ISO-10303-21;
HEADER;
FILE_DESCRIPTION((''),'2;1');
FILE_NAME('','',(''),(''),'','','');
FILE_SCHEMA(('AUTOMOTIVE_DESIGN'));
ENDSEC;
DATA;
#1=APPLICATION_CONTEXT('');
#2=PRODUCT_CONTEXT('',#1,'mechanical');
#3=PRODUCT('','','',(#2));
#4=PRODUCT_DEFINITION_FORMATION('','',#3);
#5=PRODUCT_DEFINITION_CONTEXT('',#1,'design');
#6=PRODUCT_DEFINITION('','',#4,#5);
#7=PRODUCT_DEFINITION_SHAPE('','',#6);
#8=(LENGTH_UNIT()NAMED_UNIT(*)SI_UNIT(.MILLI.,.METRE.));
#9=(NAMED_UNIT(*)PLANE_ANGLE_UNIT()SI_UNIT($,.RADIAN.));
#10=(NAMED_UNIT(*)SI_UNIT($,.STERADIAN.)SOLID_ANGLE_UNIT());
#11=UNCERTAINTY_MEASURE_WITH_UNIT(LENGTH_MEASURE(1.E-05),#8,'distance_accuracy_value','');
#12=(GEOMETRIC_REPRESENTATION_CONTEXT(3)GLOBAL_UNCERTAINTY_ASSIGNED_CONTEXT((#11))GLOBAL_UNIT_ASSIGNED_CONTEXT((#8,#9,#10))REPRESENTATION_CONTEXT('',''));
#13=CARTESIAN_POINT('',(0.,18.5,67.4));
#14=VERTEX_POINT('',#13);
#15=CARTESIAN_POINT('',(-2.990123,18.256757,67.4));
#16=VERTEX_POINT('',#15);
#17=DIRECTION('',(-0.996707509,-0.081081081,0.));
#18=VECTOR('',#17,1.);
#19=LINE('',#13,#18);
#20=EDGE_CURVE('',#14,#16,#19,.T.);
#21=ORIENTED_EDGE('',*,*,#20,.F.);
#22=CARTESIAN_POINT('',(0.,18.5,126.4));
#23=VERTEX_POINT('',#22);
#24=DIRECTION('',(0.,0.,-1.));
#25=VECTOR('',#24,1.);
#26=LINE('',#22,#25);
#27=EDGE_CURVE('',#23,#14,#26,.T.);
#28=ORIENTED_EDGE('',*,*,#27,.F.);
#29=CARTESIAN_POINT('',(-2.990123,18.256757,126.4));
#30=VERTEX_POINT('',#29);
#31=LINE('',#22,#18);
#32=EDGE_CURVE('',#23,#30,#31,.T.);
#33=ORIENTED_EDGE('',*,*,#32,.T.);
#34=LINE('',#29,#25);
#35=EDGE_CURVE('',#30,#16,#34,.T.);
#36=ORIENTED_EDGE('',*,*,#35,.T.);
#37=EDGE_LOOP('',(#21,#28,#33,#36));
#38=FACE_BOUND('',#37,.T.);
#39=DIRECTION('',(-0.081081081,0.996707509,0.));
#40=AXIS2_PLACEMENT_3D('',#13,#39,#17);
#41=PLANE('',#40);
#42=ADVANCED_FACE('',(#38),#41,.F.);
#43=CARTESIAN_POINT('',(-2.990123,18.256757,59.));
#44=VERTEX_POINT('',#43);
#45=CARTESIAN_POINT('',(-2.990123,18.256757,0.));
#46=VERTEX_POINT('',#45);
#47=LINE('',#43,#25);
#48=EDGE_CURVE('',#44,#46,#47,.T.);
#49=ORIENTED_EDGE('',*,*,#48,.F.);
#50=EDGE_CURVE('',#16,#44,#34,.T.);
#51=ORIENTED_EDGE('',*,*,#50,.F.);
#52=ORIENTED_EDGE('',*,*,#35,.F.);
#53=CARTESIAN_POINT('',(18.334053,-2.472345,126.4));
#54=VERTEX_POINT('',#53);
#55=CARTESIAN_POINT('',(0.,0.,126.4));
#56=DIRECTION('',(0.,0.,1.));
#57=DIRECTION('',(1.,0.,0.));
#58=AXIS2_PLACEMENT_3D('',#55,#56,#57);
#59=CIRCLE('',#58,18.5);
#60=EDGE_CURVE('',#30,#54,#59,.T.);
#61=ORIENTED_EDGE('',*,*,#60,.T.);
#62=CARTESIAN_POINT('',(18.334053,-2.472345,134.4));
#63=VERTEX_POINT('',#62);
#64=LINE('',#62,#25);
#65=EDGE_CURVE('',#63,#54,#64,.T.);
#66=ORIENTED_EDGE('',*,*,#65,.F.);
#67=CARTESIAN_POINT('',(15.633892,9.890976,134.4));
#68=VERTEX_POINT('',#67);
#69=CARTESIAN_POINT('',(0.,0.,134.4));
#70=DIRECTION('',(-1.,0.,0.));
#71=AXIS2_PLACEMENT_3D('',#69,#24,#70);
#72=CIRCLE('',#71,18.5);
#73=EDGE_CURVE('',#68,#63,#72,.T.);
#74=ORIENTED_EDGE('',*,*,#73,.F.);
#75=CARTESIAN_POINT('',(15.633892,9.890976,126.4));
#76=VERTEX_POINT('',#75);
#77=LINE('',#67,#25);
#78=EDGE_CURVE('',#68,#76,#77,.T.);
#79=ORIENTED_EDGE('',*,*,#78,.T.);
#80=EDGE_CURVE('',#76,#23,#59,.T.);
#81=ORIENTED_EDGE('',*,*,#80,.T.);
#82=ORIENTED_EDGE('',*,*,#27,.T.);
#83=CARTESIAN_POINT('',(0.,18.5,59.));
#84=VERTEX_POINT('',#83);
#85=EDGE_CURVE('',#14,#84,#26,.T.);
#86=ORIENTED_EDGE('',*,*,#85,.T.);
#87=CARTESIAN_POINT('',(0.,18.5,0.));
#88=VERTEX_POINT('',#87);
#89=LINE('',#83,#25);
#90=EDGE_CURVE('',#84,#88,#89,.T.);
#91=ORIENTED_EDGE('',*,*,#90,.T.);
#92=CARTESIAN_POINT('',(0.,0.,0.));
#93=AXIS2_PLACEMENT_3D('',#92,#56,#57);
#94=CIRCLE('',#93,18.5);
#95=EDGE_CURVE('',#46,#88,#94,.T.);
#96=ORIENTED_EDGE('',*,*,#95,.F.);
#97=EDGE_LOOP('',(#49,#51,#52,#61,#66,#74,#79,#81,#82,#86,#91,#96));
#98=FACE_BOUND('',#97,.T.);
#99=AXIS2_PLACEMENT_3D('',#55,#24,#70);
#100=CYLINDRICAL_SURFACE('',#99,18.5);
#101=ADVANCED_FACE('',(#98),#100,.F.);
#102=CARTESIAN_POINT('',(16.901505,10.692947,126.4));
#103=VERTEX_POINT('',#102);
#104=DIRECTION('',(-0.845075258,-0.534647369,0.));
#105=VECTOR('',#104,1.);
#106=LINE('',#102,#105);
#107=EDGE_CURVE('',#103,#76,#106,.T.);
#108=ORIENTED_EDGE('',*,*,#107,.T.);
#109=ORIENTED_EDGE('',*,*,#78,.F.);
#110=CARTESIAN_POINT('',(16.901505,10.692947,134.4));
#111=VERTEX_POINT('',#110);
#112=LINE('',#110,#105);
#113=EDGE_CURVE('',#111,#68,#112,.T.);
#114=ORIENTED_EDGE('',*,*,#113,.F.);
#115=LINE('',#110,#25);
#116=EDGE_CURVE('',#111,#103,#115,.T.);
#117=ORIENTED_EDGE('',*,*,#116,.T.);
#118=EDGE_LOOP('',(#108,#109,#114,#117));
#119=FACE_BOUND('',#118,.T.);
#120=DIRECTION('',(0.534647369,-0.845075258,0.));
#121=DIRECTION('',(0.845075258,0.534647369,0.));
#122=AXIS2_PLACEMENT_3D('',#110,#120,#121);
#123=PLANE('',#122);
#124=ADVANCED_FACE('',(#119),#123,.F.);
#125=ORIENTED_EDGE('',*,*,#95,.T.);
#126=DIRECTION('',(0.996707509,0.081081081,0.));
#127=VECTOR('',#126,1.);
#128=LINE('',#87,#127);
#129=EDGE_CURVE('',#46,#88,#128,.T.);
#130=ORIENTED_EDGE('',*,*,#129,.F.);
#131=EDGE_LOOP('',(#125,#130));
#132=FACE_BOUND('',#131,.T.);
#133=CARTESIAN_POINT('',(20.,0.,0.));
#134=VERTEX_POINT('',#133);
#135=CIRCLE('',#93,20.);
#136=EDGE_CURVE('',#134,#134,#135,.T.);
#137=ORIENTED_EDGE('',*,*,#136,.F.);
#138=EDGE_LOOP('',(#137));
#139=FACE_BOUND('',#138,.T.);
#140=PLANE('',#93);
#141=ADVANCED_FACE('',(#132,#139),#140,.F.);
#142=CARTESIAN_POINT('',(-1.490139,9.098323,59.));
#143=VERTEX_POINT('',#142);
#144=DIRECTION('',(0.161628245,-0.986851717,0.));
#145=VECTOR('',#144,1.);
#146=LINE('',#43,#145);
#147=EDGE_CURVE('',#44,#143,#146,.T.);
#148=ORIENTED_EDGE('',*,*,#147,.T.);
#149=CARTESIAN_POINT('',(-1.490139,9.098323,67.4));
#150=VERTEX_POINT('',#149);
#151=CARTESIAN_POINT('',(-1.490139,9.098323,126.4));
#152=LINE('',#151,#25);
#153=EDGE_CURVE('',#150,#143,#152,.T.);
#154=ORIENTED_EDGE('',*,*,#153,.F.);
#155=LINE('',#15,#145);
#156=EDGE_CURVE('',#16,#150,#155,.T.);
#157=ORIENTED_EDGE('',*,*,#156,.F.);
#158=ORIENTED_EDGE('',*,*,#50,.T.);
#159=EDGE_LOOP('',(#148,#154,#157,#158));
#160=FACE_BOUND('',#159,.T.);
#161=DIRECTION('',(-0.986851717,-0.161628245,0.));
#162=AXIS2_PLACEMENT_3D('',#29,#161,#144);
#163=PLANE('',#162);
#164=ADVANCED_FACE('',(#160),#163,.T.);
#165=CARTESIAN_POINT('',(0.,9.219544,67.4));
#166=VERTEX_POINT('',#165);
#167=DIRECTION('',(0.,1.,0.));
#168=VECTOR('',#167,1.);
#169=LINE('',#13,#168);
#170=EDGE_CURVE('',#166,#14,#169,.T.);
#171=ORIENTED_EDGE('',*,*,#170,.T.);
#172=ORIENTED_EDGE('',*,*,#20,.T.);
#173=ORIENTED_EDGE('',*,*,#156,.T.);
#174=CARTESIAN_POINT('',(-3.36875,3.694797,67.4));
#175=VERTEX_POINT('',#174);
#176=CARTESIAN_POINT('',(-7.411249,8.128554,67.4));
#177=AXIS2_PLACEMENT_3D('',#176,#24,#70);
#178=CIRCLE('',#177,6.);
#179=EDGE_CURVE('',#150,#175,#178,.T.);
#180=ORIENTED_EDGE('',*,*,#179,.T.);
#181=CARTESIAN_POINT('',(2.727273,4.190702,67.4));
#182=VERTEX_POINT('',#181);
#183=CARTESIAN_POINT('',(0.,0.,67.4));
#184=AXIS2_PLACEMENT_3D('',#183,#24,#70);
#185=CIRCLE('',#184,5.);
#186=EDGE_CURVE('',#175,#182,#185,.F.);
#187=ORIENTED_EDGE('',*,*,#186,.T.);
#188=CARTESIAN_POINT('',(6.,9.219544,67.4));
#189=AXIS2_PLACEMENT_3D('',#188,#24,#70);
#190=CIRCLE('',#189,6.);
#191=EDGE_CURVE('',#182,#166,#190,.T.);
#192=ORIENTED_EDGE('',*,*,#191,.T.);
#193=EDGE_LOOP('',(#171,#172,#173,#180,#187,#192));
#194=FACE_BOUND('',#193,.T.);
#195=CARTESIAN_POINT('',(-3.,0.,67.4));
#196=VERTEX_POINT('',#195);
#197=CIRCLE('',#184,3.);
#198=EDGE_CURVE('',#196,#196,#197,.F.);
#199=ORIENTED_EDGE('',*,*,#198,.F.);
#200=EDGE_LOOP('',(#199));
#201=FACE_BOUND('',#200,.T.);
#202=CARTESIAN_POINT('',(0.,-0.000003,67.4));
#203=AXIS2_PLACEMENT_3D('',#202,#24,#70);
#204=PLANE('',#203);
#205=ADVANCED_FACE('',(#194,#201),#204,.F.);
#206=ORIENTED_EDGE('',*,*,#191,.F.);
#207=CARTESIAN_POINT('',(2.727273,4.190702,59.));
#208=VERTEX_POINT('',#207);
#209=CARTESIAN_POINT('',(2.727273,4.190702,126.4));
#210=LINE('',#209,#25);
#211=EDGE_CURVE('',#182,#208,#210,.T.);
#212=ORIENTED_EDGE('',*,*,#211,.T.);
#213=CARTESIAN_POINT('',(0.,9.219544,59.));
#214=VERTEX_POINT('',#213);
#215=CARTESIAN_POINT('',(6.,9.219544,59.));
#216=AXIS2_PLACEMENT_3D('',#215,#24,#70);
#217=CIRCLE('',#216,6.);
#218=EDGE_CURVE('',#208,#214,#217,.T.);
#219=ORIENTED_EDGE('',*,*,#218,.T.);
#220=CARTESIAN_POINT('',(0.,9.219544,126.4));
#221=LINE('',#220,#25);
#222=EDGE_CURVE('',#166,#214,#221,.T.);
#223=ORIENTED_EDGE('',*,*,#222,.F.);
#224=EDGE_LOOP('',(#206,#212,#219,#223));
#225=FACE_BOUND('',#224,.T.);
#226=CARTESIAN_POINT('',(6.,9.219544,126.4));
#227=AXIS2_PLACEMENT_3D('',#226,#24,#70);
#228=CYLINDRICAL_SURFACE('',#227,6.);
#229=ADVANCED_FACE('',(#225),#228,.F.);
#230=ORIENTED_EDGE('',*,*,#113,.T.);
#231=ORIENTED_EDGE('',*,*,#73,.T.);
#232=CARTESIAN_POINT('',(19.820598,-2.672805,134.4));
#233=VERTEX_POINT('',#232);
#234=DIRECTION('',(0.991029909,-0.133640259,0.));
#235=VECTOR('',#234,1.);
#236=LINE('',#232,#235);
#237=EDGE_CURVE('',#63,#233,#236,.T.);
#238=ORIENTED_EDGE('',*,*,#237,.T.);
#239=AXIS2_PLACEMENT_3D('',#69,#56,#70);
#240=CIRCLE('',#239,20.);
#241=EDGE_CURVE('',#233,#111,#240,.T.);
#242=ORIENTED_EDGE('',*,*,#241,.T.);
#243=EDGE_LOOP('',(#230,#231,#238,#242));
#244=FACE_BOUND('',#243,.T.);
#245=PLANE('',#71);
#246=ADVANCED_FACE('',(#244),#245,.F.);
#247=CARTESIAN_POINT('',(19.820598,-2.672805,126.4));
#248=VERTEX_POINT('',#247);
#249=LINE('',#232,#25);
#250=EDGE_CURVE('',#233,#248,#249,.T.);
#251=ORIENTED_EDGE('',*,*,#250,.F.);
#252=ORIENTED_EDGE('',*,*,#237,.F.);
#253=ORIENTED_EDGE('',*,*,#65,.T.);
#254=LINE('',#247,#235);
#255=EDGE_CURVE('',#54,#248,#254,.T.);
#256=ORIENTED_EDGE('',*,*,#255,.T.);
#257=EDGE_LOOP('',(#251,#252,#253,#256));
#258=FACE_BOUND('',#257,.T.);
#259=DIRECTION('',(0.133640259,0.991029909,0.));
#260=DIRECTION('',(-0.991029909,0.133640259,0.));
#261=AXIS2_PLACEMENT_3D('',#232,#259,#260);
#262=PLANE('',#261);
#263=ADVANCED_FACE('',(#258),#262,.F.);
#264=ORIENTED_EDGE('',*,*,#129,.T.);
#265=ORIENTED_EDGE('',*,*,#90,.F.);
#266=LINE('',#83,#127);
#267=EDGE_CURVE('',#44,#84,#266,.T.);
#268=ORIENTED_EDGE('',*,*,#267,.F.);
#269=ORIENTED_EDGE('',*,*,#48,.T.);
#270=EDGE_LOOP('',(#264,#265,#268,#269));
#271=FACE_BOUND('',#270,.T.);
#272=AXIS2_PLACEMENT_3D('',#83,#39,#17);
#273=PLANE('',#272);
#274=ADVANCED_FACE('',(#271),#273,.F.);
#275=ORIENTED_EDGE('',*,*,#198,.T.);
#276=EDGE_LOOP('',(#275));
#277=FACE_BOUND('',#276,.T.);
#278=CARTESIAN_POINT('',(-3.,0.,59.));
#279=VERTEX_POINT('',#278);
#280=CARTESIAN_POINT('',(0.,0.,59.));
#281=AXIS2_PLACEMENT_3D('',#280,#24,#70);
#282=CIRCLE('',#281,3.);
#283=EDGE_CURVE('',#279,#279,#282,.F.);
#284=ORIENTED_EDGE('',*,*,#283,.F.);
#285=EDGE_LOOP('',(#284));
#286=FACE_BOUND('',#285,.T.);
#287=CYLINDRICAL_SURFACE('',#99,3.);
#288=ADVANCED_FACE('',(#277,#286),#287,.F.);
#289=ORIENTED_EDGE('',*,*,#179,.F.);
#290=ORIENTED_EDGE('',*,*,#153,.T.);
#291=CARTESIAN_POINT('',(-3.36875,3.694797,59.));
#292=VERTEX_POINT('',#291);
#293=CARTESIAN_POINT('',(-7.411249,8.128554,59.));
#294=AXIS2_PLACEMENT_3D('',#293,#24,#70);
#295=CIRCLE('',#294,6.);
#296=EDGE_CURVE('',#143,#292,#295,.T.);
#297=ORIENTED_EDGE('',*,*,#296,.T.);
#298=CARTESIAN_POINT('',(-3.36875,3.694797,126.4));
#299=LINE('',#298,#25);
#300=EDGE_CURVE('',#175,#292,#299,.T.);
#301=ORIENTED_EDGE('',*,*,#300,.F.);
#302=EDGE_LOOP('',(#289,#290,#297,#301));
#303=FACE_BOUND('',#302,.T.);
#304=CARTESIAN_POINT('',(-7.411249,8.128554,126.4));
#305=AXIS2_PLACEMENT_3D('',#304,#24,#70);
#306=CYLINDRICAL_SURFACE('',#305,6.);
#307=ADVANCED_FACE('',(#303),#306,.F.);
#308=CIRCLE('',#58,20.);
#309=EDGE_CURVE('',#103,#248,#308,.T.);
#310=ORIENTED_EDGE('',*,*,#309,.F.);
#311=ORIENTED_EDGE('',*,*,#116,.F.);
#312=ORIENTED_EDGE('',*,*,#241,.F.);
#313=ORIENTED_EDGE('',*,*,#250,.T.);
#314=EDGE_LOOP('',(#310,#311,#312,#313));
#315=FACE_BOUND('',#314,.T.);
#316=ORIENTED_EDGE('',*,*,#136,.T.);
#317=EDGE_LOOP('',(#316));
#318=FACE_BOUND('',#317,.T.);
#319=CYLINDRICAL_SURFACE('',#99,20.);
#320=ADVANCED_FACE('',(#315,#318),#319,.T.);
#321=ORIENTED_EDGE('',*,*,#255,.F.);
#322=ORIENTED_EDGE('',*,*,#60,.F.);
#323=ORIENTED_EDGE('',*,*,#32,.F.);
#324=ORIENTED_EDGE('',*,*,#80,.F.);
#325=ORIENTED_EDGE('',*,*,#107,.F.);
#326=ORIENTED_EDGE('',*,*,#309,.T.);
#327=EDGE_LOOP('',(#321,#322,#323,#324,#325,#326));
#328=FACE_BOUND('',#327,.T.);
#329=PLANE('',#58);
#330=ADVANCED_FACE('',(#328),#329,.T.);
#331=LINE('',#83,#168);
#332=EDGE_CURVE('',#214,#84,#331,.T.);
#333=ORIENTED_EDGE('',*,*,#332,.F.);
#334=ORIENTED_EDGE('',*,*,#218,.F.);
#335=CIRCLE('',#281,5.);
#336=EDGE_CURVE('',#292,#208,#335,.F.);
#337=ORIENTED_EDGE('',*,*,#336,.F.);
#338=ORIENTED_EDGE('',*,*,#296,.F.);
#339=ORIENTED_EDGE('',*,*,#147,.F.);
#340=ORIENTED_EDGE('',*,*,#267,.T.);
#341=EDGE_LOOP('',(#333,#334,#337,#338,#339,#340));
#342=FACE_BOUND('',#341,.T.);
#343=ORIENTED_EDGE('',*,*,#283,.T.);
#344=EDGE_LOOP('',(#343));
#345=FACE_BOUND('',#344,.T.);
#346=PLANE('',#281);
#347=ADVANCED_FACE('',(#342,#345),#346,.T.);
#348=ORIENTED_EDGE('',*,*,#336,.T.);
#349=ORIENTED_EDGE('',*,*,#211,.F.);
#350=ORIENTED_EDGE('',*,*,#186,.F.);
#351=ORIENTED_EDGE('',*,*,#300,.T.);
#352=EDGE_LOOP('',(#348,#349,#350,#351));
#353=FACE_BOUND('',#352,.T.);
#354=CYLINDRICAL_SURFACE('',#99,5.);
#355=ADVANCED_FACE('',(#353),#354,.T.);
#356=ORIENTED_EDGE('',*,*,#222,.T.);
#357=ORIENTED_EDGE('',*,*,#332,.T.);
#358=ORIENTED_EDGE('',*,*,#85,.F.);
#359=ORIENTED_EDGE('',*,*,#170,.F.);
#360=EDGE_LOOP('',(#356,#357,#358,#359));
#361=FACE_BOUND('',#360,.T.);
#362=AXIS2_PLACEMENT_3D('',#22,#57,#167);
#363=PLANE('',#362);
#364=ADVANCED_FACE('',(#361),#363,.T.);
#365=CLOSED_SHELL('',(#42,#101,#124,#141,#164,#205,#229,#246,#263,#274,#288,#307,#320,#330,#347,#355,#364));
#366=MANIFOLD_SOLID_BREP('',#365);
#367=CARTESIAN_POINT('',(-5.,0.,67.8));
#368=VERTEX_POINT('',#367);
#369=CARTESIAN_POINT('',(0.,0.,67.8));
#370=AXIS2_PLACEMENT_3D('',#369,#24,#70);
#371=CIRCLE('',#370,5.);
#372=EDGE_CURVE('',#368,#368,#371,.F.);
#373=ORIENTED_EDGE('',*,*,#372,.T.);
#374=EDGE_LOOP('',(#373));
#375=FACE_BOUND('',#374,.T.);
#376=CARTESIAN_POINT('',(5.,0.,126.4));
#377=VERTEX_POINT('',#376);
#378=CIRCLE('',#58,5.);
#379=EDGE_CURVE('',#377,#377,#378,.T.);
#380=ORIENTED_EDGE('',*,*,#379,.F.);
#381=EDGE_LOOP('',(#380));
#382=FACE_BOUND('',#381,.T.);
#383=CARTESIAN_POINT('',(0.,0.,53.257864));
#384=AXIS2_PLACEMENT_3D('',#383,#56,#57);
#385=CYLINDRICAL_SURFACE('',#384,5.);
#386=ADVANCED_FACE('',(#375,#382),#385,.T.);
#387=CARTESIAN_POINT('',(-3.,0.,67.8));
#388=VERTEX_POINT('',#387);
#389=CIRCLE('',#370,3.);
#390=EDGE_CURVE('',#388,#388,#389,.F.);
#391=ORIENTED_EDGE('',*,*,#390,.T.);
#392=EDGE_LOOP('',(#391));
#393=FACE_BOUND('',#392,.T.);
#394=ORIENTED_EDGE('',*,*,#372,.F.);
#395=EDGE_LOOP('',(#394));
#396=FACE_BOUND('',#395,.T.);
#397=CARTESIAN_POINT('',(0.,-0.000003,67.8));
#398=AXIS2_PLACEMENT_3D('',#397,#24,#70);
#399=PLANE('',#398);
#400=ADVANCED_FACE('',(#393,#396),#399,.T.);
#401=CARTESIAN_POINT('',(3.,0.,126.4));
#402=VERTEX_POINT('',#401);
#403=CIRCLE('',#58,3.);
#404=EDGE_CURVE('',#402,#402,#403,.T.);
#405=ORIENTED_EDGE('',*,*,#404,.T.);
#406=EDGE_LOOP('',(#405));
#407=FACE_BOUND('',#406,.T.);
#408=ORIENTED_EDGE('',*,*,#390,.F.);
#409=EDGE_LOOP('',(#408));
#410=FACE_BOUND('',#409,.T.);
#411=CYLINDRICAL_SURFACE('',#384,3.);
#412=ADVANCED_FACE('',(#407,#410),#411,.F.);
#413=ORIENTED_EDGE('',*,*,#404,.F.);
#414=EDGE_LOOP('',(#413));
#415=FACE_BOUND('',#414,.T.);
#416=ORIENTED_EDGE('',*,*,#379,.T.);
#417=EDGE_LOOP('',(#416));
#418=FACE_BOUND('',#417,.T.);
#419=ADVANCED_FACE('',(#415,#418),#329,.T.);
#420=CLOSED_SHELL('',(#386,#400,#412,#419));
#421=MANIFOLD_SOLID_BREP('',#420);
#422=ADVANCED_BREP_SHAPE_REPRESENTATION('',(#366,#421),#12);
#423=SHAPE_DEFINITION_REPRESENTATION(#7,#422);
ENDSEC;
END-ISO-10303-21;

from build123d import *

# Parameters (mm, degrees)
SKETCH_2_R          = 20
SKETCH_2_R_2        = 18.5
EXTRUDE_1_DEPTH     = 126.4
SKETCH_5_R          = 3
EXTRUDE_3_DEPTH     = 126.4
CUT_EXTRUDE1_DEPTH  = 59
CUT_EXTRUDE2_DEPTH  = 59
SKETCH3_R           = 5
SKETCH3_R_2         = 3
BOSS_EXTRUDE1_DEPTH = 58.6
BOSS_EXTRUDE4_DEPTH = 8


with BuildPart() as part:
    # Эскиз2 → Бобышка-Вытянуть1 (new body)
    with BuildSketch(Plane.XY):
        Circle(SKETCH_2_R)
        Circle(SKETCH_2_R_2, mode=Mode.SUBTRACT)
    extrude(amount=EXTRUDE_1_DEPTH)

    # Эскиз5 → Бобышка-Вытянуть3 (add, through all)
    with BuildSketch(Plane(origin=(0, 0, 0), x_dir=(-1, 0, 0), z_dir=(0, 0, -1))):
        with BuildLine():
            Line((0, 18.5), (0, 9.219544457))
            ThreePointArc((0, 9.219544457), (-0.725705562, 6.35915669), (-2.727272727, 4.190702026))
            ThreePointArc((-2.727272727, 4.190702026), (-0.405405405, -4.983537544), (3.368749585, 3.694797184))
            ThreePointArc((3.368749585, 3.694797184), (1.743983113, 6.158250179), (1.490138787, 9.098323274))
            Line((1.490138787, 9.098323274), (2.990122527, 18.256756757))
            ThreePointArc((2.990122527, 18.256756757), (1.5, 18.439088915), (0, 18.5))
        make_face()
        Circle(SKETCH_5_R, mode=Mode.SUBTRACT)
    extrude(amount=-EXTRUDE_3_DEPTH)

    # Sketch1 → Cut-Extrude1 (cut)
    with BuildSketch(Plane(origin=(0, 0, 0), x_dir=(-1, 0, 0), z_dir=(0, 0, -1))):
        with BuildLine():
            Line((0, 18.5), (2.990122527, 18.256756757))
            ThreePointArc((2.990122527, 18.256756757), (-1.5, -18.439088915), (0, 18.5))
        make_face()
    extrude(amount=-CUT_EXTRUDE1_DEPTH, mode=Mode.SUBTRACT)

    # Sketch2 → Cut-Extrude2 (cut)
    with BuildSketch(Plane.XY.offset(126.4)):
        with BuildLine():
            Line((0, 18.5), (-2.990122527, 18.256756757))
            ThreePointArc((-2.990122527, 18.256756757), (1.50000041, -18.439093959), (0, 18.5))
        make_face()
    extrude(amount=-CUT_EXTRUDE2_DEPTH, mode=Mode.SUBTRACT)

    # Sketch6 → Boss-Extrude4 (add)
    with BuildSketch(Plane.XY.offset(126.4)):
        with BuildLine():
            Line((16.901505151, 10.692947377), (15.633892265, 9.890976324))
            ThreePointArc((15.633892265, 9.890976324), (18.073966336, 3.947371391), (18.334053323, -2.472344789))
            Line((18.334053323, -2.472344789), (19.820598187, -2.672805177))
            ThreePointArc((19.820598187, -2.672805177), (19.539423066, 4.267428531), (16.901505151, 10.692947377))
        make_face()
    extrude(amount=BOSS_EXTRUDE4_DEPTH)


with BuildPart() as body_2:
    # Sketch3 → Boss-Extrude1 (new body)
    with BuildSketch(Plane.XY.offset(126.4)):
        Circle(SKETCH3_R)
        Circle(SKETCH3_R_2, mode=Mode.SUBTRACT)
    extrude(amount=-BOSS_EXTRUDE1_DEPTH)


solid = Compound([part.part, body_2.part])
